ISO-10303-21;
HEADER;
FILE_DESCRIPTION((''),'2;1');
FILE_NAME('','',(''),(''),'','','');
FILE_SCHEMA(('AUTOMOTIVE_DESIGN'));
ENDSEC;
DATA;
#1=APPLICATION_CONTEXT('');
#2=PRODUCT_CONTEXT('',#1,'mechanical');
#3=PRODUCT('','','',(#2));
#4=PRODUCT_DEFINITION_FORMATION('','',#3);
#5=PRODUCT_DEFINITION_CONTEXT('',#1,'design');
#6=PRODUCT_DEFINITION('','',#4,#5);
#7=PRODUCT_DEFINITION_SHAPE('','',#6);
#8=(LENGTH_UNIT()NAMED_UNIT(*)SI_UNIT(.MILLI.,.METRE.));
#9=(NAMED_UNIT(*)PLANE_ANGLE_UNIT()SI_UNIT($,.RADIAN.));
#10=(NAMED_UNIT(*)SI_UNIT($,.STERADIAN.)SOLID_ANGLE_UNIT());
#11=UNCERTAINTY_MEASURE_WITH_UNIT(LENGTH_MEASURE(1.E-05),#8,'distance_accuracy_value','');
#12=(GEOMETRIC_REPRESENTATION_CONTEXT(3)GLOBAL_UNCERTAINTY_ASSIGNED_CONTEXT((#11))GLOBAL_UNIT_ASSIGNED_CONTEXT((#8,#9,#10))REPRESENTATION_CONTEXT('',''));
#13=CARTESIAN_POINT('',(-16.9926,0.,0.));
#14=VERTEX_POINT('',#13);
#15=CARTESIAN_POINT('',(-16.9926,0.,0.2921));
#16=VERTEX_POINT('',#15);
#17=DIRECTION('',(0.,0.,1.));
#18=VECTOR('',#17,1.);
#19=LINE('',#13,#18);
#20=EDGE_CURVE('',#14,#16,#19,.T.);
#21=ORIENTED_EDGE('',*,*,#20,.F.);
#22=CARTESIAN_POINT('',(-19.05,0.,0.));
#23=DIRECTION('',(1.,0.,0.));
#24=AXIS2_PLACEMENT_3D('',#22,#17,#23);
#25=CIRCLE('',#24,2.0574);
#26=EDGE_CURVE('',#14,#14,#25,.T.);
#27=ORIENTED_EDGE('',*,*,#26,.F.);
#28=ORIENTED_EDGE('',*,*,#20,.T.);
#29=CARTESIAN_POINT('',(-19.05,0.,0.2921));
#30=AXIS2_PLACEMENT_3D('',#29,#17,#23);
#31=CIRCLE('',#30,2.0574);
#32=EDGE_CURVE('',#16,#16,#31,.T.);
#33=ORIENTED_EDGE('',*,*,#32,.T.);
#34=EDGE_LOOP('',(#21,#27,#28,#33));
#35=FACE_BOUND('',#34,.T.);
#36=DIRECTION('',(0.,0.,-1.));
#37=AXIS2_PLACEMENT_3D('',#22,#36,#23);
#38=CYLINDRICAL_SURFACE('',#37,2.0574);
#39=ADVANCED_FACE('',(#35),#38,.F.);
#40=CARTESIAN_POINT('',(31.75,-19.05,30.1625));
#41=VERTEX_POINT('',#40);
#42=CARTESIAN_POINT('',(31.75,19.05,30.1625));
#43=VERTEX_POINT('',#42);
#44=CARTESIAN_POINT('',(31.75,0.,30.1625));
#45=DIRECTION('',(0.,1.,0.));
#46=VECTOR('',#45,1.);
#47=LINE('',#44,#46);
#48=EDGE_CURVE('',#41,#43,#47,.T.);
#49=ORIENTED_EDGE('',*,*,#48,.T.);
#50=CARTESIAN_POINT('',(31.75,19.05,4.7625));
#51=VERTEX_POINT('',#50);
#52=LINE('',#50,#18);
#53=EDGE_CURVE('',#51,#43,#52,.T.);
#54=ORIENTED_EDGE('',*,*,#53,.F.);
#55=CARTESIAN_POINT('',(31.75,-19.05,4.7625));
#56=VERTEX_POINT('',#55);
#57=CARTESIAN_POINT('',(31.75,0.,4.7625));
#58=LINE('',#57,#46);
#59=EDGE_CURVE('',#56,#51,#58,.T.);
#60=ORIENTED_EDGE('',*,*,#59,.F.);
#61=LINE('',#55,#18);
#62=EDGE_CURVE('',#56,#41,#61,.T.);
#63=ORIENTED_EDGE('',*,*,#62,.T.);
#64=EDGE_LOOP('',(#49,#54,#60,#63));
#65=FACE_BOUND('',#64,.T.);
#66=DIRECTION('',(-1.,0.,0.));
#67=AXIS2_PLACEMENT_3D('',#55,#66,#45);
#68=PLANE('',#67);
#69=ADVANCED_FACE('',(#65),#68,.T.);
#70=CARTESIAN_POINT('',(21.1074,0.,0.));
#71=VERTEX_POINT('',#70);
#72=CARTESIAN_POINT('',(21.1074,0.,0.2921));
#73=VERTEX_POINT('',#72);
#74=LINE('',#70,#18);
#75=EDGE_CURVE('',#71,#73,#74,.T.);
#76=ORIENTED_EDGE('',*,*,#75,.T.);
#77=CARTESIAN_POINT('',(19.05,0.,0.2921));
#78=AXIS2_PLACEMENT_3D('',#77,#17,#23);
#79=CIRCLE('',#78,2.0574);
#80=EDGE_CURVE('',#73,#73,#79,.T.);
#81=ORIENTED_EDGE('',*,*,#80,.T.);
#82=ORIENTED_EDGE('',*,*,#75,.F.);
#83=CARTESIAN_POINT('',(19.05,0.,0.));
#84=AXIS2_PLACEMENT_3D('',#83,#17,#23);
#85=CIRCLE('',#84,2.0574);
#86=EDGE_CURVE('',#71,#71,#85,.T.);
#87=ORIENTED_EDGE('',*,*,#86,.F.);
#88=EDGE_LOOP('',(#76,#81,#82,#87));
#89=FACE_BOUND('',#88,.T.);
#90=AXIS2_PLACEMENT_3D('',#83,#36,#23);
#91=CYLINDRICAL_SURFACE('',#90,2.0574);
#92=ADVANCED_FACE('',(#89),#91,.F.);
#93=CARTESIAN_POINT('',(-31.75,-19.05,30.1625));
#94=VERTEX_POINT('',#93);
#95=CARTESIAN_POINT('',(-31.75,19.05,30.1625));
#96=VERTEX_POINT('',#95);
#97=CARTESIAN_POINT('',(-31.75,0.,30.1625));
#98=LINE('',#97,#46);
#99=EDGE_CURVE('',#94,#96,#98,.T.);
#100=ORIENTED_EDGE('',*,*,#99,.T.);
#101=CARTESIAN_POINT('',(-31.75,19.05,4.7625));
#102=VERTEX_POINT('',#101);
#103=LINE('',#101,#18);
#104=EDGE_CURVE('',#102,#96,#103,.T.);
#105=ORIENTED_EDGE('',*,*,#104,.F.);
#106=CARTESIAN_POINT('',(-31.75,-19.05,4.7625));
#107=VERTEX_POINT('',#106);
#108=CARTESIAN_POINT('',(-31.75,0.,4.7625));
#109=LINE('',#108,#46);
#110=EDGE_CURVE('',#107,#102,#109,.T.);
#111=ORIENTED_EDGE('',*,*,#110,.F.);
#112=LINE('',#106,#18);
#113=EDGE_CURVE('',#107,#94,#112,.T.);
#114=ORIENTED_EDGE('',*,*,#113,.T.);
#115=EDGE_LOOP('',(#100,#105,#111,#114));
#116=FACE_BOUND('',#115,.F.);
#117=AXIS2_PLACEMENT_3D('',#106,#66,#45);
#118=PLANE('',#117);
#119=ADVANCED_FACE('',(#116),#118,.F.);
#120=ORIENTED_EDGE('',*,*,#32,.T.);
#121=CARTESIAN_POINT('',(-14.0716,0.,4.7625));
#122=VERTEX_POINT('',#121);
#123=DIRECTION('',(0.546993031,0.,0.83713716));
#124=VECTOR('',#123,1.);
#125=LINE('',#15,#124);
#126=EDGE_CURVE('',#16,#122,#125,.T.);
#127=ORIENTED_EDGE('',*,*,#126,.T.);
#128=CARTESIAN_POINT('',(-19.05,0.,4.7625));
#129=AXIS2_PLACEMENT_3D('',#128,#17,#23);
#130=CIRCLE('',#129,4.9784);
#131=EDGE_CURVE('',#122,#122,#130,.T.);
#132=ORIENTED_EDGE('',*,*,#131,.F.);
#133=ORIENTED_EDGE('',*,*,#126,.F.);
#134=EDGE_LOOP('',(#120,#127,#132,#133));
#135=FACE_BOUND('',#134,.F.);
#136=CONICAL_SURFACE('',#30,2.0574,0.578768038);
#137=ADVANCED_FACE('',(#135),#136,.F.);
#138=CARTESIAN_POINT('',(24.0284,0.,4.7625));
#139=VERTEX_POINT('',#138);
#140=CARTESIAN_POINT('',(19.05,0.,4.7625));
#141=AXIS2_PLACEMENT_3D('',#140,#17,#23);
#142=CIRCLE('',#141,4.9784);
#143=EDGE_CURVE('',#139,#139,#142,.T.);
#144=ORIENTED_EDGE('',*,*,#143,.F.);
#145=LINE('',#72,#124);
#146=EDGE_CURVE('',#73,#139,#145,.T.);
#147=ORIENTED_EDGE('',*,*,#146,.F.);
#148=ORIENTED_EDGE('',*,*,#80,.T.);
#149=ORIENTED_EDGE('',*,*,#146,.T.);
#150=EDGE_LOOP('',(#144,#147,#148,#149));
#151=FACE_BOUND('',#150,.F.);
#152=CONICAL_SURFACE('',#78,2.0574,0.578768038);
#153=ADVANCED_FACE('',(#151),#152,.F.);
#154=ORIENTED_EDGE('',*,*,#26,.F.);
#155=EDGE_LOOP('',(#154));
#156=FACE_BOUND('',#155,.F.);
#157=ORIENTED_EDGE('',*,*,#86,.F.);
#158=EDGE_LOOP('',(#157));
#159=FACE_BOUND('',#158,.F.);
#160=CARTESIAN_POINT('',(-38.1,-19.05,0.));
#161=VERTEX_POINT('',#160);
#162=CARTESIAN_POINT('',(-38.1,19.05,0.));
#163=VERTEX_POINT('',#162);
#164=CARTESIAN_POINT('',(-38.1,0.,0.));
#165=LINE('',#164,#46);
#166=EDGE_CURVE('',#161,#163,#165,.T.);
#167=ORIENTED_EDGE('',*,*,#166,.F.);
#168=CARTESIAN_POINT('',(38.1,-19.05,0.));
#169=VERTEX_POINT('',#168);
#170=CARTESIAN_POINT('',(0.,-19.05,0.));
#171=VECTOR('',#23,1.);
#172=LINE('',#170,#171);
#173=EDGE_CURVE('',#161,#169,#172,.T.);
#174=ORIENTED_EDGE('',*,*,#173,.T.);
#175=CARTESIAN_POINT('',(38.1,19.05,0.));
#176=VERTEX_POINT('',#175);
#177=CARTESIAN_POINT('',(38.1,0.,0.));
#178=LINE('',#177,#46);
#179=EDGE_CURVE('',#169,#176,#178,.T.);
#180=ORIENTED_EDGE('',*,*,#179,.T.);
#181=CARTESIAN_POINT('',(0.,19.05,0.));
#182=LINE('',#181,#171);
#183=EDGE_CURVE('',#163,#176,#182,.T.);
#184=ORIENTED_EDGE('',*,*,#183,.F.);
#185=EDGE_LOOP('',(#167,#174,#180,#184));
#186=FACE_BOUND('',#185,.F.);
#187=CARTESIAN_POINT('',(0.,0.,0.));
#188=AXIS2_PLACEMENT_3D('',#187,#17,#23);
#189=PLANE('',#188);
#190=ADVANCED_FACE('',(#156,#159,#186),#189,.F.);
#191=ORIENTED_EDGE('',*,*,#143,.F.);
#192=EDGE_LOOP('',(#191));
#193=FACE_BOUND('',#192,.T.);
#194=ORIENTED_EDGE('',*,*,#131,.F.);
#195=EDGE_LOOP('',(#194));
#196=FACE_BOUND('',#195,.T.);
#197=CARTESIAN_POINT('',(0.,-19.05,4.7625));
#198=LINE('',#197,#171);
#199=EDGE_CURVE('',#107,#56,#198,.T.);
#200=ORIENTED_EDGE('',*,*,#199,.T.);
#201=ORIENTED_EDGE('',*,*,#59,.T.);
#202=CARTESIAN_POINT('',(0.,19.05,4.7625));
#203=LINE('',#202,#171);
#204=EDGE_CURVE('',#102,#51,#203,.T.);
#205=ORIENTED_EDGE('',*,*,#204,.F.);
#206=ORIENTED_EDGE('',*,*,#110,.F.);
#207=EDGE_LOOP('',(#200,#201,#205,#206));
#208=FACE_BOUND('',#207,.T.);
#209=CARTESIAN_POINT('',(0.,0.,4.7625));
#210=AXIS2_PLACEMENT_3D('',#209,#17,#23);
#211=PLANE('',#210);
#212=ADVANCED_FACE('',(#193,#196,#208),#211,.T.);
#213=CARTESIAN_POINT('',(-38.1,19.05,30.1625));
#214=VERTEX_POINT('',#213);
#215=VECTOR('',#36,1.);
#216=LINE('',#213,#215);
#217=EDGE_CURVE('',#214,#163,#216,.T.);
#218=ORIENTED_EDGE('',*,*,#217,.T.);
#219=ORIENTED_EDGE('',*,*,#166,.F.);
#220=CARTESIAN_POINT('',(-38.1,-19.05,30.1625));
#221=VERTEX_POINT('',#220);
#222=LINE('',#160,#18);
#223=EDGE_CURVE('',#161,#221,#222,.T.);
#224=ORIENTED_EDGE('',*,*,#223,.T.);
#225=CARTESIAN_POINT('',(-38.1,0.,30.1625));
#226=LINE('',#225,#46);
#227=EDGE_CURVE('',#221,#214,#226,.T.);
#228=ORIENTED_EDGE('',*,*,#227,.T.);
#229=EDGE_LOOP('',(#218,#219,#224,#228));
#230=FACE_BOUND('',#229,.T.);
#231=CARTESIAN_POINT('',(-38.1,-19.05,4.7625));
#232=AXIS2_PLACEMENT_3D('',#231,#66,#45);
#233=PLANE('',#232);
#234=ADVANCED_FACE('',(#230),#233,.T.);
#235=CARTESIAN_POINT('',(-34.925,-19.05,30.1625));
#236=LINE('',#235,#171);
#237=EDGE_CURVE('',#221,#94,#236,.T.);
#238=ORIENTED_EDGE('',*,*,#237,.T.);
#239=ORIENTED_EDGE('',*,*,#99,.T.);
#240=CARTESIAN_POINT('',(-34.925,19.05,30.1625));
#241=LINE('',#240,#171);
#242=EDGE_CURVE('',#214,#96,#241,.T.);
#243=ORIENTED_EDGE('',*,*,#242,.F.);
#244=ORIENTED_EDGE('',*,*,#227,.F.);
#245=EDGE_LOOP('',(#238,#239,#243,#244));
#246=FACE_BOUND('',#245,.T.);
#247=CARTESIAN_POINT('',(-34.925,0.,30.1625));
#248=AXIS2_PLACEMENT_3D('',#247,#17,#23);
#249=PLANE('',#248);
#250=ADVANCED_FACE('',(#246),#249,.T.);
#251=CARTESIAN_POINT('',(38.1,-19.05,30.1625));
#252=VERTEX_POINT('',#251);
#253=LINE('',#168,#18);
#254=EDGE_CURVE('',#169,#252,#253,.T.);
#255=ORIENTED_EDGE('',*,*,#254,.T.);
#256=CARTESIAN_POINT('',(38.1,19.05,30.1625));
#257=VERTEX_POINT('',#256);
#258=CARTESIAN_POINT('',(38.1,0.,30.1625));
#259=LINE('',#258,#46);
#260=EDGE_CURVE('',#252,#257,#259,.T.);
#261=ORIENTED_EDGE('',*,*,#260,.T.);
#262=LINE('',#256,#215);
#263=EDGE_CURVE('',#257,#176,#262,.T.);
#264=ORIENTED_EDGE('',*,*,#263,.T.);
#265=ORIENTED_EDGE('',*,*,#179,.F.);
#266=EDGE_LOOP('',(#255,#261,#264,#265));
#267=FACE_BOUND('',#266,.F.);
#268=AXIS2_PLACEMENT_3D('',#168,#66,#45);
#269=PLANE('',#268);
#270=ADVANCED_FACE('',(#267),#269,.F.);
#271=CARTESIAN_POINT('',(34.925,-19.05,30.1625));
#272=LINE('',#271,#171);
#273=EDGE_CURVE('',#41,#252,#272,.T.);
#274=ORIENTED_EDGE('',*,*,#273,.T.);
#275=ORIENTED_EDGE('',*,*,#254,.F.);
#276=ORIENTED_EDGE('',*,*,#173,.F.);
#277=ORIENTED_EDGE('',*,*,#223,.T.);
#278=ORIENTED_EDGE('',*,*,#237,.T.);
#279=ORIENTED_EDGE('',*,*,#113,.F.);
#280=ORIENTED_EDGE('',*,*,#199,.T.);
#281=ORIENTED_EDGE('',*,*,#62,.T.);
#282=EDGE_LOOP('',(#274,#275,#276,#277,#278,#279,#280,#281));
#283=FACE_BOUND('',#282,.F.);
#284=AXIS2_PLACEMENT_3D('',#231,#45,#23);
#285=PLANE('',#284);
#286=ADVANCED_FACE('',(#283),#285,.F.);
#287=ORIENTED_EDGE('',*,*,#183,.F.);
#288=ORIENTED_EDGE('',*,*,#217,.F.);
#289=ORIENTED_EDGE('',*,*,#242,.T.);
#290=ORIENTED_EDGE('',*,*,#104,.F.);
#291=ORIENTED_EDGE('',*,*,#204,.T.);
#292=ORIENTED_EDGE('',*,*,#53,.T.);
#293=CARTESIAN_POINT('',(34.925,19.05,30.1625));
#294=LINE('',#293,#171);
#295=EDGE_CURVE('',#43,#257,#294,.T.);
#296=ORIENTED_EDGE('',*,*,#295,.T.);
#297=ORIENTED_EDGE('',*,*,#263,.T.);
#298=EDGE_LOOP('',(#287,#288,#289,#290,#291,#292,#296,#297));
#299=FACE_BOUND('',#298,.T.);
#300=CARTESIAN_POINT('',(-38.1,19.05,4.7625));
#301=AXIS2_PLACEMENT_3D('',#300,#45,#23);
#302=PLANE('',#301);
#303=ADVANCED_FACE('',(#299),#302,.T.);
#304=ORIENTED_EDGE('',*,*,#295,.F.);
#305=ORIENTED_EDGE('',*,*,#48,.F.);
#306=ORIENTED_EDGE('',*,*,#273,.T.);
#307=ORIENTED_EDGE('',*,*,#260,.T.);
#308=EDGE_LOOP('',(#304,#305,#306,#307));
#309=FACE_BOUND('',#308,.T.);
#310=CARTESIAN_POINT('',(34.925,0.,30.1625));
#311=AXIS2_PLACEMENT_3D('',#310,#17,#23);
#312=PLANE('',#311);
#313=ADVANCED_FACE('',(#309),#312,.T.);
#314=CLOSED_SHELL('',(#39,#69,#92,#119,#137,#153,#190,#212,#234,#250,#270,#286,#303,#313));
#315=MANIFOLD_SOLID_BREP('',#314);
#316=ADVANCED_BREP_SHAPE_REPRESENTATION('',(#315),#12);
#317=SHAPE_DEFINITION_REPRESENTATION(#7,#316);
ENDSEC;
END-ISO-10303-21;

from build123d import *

# Parameters (mm, degrees)
F0_W     = 76.2
F0_H     = 38.1
F0_R     = 2.0574
F1_DEPTH = 4.7625
F2_W     = 6.35
F2_H     = 38.1
F3_DEPTH = 25.4
F4_SIZE2 = 2.921
F4_SIZE  = 4.4704
F5_SIZE2 = 2.921
F5_SIZE  = 4.4704


with BuildPart() as f1:
    # F0 (on Top) → F1 (new body)
    with BuildSketch(Plane.XY):
        Rectangle(F0_W, F0_H)
        with Locations((-19.05, 0)):
            Circle(F0_R, mode=Mode.SUBTRACT)
        with Locations((19.05, 0)):
            Circle(F0_R, mode=Mode.SUBTRACT)
    extrude(amount=F1_DEPTH)

    # F2 (on face) → F3 (join)
    with BuildSketch(Plane.XY.offset(4.7625)):
        with Locations((-34.925, 0)):
            Rectangle(F2_W, F2_H)
        with Locations((34.925, 0)):
            Rectangle(F2_W, F2_H)
    extrude(amount=F3_DEPTH)

    # F4
    f4_edges = [f1.edges().sort_by_distance(p)[0] for p in [
        (-21.1074, 0, 4.7625),
    ]]
    f4_side = f1.faces().sort_by_distance((-21.1074, 0, 2.38125))[0]
    chamfer(f4_edges, length=F4_SIZE, length2=F4_SIZE2, reference=f4_side)

    # F5
    f5_edges = [f1.edges().sort_by_distance(p)[0] for p in [
        (16.9926, 0, 4.7625),
    ]]
    f5_side = f1.faces().sort_by_distance((16.9926, 0, 2.38125))[0]
    chamfer(f5_edges, length=F5_SIZE, length2=F5_SIZE2, reference=f5_side)


solid = f1.part
